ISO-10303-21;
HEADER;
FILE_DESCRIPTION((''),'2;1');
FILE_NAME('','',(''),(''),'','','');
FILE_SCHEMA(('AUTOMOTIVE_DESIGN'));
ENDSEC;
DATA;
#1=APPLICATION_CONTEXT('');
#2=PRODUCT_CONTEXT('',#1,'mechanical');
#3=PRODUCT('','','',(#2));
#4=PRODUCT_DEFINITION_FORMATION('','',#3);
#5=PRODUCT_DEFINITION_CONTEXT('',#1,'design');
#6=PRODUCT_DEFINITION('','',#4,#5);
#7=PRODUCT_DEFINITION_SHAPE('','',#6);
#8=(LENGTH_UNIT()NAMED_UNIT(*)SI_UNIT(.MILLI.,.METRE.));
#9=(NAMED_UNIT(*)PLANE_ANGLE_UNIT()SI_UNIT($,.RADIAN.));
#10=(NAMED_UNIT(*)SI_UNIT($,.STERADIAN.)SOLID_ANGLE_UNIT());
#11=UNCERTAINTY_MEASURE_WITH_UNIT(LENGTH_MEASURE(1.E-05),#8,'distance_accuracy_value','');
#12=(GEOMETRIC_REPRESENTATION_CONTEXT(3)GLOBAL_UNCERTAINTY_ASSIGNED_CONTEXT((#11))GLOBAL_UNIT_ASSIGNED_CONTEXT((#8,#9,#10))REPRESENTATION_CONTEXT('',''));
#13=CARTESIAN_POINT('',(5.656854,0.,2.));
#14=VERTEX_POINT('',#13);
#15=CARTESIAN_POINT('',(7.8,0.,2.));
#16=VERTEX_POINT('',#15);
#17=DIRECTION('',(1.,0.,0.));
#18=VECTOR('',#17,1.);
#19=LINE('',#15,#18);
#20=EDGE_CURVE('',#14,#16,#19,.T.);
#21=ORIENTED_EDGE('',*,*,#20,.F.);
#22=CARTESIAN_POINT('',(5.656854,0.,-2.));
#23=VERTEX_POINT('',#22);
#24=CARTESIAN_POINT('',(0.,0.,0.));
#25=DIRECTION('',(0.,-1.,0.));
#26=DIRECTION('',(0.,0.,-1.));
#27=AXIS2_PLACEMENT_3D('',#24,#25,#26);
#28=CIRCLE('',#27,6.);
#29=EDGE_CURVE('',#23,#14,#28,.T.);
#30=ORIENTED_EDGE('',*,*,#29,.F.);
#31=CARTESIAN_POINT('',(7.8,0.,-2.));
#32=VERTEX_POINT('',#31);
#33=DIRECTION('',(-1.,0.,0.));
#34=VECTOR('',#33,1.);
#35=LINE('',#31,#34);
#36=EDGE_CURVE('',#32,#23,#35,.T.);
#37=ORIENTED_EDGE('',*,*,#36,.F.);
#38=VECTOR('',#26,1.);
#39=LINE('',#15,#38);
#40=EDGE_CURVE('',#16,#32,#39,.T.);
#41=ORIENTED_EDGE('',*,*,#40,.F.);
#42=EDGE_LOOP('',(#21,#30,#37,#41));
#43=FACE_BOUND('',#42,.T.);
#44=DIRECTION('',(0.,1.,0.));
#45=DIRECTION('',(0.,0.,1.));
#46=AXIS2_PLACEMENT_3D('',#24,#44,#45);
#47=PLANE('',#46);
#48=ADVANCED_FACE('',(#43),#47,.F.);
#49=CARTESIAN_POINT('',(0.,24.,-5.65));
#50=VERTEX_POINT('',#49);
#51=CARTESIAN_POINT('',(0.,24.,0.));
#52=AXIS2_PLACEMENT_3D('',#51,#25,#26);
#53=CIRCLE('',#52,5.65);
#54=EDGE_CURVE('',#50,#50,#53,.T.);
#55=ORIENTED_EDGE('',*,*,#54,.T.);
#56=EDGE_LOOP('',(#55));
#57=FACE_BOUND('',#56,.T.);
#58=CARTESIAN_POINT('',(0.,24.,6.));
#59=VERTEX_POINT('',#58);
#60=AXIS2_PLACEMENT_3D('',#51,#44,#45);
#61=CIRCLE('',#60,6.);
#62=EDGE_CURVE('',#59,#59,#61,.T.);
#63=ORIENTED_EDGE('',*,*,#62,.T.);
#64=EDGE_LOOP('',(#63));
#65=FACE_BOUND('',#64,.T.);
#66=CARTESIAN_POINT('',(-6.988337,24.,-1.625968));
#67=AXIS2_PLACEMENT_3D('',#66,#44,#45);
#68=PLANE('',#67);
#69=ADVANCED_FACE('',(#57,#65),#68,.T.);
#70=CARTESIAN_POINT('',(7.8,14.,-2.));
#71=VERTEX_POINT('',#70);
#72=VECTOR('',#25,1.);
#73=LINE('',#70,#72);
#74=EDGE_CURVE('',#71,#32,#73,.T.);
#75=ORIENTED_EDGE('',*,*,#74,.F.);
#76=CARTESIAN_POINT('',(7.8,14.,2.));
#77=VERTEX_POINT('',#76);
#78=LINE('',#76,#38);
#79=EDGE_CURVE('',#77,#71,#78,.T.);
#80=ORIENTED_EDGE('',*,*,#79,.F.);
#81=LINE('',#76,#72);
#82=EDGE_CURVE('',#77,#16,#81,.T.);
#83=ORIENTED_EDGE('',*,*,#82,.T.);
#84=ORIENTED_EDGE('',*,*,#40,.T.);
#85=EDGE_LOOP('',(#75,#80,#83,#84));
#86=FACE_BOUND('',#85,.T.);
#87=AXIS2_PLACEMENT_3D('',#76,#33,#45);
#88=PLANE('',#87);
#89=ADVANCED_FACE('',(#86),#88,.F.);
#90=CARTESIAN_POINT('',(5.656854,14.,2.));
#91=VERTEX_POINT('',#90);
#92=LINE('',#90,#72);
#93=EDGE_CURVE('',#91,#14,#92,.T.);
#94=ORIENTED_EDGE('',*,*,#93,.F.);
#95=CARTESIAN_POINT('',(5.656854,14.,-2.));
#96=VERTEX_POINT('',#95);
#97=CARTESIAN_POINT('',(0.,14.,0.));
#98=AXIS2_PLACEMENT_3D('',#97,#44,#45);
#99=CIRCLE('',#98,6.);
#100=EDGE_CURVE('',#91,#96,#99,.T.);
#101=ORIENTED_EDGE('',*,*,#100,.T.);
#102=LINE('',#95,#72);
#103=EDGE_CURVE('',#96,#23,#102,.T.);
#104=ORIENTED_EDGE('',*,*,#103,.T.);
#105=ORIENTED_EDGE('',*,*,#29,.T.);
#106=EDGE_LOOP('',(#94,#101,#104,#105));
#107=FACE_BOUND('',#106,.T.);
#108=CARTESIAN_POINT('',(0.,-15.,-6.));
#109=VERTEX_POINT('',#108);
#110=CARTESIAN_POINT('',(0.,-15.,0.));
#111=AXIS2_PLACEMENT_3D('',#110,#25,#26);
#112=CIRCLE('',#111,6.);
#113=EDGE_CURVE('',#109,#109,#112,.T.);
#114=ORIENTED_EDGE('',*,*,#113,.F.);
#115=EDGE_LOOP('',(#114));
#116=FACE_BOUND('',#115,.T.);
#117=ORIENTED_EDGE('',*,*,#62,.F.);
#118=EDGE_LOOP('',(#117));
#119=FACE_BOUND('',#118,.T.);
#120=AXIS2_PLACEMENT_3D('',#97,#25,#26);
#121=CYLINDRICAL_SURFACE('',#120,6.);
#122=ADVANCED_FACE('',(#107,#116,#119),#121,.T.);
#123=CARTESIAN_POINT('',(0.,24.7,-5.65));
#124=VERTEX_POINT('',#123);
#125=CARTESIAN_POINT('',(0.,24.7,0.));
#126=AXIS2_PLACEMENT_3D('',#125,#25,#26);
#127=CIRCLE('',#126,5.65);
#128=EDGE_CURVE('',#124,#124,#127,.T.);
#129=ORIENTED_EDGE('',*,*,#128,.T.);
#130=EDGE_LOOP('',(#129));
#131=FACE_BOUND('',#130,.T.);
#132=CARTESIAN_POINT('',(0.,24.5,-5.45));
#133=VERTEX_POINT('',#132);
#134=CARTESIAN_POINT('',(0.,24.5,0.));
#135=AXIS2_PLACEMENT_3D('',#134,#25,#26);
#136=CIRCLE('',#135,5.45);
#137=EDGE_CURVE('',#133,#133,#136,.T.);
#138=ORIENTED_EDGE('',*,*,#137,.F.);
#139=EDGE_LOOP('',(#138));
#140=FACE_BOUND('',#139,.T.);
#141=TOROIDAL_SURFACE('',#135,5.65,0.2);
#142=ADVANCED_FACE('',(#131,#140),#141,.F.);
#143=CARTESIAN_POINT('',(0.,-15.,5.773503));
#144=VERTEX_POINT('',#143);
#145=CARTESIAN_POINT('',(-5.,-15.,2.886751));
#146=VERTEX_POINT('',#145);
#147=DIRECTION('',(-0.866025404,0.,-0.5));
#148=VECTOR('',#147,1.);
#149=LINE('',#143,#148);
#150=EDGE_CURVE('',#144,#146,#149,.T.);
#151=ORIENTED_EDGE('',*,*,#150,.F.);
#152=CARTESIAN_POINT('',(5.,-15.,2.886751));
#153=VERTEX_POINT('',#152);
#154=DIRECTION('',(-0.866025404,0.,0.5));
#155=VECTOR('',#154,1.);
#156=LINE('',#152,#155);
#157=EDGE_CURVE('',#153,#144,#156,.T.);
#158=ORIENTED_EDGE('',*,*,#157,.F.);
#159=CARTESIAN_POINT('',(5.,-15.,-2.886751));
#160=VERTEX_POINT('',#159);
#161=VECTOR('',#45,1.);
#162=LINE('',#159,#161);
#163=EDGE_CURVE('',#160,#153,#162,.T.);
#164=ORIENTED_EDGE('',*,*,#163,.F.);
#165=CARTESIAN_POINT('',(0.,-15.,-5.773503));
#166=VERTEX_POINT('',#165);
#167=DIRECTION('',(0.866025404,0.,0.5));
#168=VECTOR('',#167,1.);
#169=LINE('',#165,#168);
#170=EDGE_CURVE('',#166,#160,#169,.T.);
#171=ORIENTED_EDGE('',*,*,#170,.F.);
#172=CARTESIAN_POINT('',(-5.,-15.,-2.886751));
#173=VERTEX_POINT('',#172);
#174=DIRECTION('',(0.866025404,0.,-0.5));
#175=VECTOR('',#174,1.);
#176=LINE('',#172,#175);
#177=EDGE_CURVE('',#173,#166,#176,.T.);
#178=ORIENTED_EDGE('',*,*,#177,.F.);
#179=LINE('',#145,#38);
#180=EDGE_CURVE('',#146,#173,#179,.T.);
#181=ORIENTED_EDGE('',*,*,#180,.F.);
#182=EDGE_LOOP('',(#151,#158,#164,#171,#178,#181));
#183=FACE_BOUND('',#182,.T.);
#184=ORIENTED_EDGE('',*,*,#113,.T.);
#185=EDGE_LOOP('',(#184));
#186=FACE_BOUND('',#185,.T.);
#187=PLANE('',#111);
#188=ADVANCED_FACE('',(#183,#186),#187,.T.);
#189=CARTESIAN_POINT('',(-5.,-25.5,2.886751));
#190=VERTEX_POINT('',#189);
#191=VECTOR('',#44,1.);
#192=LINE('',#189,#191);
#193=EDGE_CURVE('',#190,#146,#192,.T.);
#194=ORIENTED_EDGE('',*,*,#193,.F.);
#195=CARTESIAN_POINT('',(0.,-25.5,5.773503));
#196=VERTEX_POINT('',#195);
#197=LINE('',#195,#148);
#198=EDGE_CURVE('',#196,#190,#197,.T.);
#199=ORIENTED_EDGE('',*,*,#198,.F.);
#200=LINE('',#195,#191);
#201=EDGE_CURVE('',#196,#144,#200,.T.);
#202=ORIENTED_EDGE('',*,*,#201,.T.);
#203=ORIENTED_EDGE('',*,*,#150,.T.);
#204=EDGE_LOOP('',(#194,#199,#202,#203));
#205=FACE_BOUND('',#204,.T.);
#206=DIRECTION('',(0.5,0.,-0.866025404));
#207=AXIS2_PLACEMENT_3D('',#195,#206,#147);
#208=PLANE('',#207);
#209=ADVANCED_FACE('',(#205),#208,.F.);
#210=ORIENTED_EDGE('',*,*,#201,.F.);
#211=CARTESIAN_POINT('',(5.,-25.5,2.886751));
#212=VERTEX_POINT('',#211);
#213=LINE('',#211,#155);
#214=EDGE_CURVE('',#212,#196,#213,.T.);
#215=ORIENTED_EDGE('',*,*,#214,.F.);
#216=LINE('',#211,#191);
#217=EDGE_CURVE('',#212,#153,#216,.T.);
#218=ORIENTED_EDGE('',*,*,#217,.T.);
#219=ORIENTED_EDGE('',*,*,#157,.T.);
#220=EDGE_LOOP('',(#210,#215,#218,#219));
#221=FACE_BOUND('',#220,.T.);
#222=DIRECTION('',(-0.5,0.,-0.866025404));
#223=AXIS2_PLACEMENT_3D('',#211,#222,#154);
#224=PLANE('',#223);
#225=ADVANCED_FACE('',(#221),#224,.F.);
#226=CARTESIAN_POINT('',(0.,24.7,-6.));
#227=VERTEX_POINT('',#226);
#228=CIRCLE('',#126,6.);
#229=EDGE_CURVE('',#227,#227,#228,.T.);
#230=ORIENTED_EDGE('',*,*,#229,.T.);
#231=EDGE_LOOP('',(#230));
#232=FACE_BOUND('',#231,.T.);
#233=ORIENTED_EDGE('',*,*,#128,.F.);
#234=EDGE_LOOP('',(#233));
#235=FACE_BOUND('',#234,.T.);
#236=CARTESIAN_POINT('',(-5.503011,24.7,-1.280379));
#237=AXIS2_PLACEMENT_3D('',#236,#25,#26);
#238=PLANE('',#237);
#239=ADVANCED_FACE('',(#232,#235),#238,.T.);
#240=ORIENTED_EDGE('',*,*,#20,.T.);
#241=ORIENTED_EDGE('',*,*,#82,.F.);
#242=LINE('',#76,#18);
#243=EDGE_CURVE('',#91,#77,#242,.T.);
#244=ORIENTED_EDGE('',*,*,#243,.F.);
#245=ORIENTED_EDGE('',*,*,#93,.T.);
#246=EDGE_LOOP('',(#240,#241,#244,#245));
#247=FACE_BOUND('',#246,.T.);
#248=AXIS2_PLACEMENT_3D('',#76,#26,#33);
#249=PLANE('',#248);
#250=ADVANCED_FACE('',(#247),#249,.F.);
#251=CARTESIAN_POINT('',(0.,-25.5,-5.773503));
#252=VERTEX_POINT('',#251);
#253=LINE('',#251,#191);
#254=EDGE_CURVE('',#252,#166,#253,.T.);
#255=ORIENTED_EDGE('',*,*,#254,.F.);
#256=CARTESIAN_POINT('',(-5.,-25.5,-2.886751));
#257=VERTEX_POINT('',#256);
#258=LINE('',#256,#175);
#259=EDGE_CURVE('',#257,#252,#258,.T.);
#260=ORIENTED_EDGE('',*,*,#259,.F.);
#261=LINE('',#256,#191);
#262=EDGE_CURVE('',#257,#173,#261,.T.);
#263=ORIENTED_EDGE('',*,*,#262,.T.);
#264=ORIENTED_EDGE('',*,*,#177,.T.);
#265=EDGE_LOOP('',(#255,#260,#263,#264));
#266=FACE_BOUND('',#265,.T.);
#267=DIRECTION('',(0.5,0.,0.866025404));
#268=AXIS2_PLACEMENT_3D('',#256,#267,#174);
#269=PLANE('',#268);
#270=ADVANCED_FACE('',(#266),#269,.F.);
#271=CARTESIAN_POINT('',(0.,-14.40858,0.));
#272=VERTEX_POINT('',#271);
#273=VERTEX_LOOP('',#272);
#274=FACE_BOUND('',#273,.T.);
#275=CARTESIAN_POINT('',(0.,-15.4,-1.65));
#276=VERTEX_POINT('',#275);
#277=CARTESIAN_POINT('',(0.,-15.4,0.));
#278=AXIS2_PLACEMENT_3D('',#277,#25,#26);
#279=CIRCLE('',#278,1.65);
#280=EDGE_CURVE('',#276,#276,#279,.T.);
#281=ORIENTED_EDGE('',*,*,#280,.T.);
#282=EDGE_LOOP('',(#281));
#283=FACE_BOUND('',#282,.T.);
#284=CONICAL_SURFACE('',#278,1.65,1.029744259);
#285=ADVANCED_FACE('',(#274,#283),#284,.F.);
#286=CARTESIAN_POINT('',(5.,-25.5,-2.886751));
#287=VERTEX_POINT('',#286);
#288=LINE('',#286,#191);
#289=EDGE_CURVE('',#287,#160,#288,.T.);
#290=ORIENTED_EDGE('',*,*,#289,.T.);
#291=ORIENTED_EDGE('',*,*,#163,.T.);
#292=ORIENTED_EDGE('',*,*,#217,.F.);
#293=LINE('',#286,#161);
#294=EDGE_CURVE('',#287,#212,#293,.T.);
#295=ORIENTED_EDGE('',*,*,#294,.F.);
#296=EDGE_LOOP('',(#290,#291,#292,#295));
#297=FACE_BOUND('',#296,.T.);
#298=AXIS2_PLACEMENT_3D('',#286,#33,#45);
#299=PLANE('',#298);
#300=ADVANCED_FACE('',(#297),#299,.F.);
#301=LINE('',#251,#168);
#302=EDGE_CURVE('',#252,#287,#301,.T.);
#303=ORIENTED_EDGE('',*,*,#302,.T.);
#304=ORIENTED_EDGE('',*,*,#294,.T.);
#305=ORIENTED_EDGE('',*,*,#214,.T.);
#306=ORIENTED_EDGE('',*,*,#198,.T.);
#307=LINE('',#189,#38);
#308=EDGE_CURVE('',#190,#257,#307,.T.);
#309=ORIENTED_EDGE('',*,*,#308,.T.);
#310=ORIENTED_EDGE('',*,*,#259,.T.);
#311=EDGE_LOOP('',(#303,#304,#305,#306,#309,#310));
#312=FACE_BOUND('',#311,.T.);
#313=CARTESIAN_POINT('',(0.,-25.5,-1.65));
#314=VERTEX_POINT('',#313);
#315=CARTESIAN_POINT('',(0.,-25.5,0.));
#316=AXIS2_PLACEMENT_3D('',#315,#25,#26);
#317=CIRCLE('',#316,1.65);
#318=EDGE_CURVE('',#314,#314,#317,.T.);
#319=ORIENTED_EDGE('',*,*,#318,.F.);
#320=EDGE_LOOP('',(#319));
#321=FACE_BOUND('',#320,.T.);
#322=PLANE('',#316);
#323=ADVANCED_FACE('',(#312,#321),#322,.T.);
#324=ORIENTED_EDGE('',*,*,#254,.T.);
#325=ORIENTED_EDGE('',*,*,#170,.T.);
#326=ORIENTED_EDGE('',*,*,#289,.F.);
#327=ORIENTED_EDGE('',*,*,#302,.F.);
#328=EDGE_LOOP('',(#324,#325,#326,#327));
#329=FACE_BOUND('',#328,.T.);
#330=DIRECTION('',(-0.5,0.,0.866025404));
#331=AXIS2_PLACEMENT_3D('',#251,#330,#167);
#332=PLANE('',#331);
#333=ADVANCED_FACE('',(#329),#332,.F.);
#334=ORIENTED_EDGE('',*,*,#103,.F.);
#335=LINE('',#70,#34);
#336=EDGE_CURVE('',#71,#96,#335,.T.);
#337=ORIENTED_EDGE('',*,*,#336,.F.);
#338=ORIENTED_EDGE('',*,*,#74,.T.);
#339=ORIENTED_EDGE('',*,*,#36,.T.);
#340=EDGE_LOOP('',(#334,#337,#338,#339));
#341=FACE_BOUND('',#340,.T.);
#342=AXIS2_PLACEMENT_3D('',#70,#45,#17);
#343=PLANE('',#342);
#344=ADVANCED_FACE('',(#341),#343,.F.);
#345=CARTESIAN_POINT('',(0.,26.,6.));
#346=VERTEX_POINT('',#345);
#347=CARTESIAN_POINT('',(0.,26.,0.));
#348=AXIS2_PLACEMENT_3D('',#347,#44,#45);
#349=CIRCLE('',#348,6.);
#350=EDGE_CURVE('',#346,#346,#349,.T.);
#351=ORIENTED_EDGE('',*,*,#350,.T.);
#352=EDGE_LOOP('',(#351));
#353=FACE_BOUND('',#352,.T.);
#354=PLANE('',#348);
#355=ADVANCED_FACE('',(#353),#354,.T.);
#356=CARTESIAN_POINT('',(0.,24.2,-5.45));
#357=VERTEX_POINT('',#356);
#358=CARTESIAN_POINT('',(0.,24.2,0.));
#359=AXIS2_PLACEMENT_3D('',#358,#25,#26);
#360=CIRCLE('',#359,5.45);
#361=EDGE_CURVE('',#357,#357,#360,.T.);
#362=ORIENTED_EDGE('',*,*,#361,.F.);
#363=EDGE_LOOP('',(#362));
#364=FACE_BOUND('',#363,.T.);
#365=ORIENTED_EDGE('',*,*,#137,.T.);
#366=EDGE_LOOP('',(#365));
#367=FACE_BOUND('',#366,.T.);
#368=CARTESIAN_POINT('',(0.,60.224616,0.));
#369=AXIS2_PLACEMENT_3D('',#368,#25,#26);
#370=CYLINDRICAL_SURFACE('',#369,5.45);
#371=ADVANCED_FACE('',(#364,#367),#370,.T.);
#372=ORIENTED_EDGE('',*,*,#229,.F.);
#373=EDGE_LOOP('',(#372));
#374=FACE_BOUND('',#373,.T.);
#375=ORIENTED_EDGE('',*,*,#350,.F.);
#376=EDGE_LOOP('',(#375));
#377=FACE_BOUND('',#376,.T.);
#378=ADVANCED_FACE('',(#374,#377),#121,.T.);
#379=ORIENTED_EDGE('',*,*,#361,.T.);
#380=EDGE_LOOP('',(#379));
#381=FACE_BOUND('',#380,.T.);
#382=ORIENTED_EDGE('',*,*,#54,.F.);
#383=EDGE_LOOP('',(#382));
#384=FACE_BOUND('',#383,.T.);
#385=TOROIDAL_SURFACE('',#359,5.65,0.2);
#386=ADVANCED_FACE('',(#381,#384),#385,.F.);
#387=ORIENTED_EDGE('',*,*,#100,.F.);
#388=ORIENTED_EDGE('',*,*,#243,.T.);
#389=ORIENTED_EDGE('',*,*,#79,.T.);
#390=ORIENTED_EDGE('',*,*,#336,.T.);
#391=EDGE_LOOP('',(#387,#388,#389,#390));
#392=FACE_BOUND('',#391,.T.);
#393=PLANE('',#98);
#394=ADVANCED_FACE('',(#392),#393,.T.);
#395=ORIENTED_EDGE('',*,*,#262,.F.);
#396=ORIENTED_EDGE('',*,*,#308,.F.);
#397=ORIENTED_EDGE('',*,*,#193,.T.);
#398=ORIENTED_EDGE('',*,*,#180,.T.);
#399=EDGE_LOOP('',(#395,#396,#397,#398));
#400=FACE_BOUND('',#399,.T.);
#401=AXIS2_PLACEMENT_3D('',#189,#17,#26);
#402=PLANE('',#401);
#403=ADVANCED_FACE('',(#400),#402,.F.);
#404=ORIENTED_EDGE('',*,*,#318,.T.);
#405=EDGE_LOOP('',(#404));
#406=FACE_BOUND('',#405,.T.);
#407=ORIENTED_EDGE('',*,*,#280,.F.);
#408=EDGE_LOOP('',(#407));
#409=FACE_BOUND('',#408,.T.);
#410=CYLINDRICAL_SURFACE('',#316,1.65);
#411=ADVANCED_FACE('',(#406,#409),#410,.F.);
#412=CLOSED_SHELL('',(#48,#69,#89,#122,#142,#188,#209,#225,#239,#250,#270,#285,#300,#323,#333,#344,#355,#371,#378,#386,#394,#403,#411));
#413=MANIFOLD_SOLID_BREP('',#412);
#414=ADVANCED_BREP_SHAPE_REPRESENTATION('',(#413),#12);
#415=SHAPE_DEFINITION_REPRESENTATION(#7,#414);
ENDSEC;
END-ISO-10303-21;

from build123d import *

# Parameters (mm, degrees)
BOSS_EXTRUDE1_DEPTH   = 14
SKETCH2_R             = 6
BOSS_EXTRUDE2_DEPTH   = 12
BOSS_EXTRUDE3_START   = 15
SKETCH3_R             = 6
BOSS_EXTRUDE3_DEPTH   = 15
BOSS_EXTRUDE4_DEPTH   = 10.5
M4_TAPPED_HOLE1_D     = 3.3
M4_TAPPED_HOLE1_DEPTH = 10.1
M4_TAPPED_HOLE1_TIP   = 0.991420021


with BuildPart() as part:
    # Sketch1 → Boss-Extrude1 (new body)
    with BuildSketch(Plane(origin=(0, 0, 0), x_dir=(1, 0, 0), z_dir=(0, 1, 0))):
        with BuildLine():
            Line((7.8, -2), (7.8, 2))
            Line((7.8, 2), (5.656854249, 2))
            ThreePointArc((5.656854249, 2), (-6, 0), (5.656854249, -2))
            Line((5.656854249, -2), (7.8, -2))
        make_face()
    extrude(amount=BOSS_EXTRUDE1_DEPTH)

    # Sketch2 → Boss-Extrude2 (add)
    with BuildSketch(Plane(origin=(0, 14, 0), x_dir=(1, 0, 0), z_dir=(0, 1, 0))):
        with Locations(Location((0, 0, 0), (0, 0, 19.471220634))):
            Circle(SKETCH2_R)
    extrude(amount=BOSS_EXTRUDE2_DEPTH)

    # Sketch3 → Boss-Extrude3 (add)
    with BuildSketch(Plane.XZ.offset(BOSS_EXTRUDE3_START)):
        with Locations(Location((0, 0, 0), (0, 0, 270))):
            Circle(SKETCH3_R)
    extrude(amount=-BOSS_EXTRUDE3_DEPTH)

    # Groove Sketch → Retaining Ring Groove (revolve, cut)
    with BuildSketch(Plane(origin=(1.604252923, 12.182890291, 0.373259529), x_dir=(-0.9343262431877186, 0.2824476966643587, -0.2173885230174828), z_dir=(-0.2266157025474993, 0, 0.9739842521103221)), mode=Mode.PRIVATE) as retaining_ring_groove_sk:
        with BuildLine():
            Line((10.535414006, -9.946396708), (11.998320123, -9.51566397))
            Line((11.998320123, -9.51566397), (11.800606735, -8.84416608))
            Line((11.800606735, -8.84416608), (10.337700618, -9.274898818))
            ThreePointArc((10.337700618, -9.274898818), (10.21858296, -9.371036434), (10.202333617, -9.523244897))
            Line((10.202333617, -9.523244897), (10.287067926, -9.811029707))
            ThreePointArc((10.287067926, -9.811029707), (10.383205542, -9.930147365), (10.535414006, -9.946396708))
        make_face()
    revolve(retaining_ring_groove_sk.sketch.rotate(Axis((0, 60.224615576, 0), (0, -1, 0)), 76.902094509), axis=Axis((0, 60.224615576, 0), (0, -1, 0)), mode=Mode.SUBTRACT)

    # Sketch5 → Boss-Extrude4 (add)
    with BuildSketch(Plane.XZ.offset(15)):
        Polygon((0, 5.773502692), (-5, 2.886751346), (-5, -2.886751346), (0, -5.773502692), (5, -2.886751346), (5, 2.886751346), align=None)
    extrude(amount=BOSS_EXTRUDE4_DEPTH)

    # M4 Tapped Hole1
    with Locations(Plane(origin=(0, -25.5, 0), x_dir=(-1, 0, 0), z_dir=(0, -1, 0))):
        with Locations((0, 0)):
            Hole(M4_TAPPED_HOLE1_D / 2, depth=M4_TAPPED_HOLE1_DEPTH)
            with Locations((0, 0, -(M4_TAPPED_HOLE1_DEPTH + M4_TAPPED_HOLE1_TIP / 2))):  # 118° drill point
                Cone(0, M4_TAPPED_HOLE1_D / 2, M4_TAPPED_HOLE1_TIP, mode=Mode.SUBTRACT)


solid = part.part
